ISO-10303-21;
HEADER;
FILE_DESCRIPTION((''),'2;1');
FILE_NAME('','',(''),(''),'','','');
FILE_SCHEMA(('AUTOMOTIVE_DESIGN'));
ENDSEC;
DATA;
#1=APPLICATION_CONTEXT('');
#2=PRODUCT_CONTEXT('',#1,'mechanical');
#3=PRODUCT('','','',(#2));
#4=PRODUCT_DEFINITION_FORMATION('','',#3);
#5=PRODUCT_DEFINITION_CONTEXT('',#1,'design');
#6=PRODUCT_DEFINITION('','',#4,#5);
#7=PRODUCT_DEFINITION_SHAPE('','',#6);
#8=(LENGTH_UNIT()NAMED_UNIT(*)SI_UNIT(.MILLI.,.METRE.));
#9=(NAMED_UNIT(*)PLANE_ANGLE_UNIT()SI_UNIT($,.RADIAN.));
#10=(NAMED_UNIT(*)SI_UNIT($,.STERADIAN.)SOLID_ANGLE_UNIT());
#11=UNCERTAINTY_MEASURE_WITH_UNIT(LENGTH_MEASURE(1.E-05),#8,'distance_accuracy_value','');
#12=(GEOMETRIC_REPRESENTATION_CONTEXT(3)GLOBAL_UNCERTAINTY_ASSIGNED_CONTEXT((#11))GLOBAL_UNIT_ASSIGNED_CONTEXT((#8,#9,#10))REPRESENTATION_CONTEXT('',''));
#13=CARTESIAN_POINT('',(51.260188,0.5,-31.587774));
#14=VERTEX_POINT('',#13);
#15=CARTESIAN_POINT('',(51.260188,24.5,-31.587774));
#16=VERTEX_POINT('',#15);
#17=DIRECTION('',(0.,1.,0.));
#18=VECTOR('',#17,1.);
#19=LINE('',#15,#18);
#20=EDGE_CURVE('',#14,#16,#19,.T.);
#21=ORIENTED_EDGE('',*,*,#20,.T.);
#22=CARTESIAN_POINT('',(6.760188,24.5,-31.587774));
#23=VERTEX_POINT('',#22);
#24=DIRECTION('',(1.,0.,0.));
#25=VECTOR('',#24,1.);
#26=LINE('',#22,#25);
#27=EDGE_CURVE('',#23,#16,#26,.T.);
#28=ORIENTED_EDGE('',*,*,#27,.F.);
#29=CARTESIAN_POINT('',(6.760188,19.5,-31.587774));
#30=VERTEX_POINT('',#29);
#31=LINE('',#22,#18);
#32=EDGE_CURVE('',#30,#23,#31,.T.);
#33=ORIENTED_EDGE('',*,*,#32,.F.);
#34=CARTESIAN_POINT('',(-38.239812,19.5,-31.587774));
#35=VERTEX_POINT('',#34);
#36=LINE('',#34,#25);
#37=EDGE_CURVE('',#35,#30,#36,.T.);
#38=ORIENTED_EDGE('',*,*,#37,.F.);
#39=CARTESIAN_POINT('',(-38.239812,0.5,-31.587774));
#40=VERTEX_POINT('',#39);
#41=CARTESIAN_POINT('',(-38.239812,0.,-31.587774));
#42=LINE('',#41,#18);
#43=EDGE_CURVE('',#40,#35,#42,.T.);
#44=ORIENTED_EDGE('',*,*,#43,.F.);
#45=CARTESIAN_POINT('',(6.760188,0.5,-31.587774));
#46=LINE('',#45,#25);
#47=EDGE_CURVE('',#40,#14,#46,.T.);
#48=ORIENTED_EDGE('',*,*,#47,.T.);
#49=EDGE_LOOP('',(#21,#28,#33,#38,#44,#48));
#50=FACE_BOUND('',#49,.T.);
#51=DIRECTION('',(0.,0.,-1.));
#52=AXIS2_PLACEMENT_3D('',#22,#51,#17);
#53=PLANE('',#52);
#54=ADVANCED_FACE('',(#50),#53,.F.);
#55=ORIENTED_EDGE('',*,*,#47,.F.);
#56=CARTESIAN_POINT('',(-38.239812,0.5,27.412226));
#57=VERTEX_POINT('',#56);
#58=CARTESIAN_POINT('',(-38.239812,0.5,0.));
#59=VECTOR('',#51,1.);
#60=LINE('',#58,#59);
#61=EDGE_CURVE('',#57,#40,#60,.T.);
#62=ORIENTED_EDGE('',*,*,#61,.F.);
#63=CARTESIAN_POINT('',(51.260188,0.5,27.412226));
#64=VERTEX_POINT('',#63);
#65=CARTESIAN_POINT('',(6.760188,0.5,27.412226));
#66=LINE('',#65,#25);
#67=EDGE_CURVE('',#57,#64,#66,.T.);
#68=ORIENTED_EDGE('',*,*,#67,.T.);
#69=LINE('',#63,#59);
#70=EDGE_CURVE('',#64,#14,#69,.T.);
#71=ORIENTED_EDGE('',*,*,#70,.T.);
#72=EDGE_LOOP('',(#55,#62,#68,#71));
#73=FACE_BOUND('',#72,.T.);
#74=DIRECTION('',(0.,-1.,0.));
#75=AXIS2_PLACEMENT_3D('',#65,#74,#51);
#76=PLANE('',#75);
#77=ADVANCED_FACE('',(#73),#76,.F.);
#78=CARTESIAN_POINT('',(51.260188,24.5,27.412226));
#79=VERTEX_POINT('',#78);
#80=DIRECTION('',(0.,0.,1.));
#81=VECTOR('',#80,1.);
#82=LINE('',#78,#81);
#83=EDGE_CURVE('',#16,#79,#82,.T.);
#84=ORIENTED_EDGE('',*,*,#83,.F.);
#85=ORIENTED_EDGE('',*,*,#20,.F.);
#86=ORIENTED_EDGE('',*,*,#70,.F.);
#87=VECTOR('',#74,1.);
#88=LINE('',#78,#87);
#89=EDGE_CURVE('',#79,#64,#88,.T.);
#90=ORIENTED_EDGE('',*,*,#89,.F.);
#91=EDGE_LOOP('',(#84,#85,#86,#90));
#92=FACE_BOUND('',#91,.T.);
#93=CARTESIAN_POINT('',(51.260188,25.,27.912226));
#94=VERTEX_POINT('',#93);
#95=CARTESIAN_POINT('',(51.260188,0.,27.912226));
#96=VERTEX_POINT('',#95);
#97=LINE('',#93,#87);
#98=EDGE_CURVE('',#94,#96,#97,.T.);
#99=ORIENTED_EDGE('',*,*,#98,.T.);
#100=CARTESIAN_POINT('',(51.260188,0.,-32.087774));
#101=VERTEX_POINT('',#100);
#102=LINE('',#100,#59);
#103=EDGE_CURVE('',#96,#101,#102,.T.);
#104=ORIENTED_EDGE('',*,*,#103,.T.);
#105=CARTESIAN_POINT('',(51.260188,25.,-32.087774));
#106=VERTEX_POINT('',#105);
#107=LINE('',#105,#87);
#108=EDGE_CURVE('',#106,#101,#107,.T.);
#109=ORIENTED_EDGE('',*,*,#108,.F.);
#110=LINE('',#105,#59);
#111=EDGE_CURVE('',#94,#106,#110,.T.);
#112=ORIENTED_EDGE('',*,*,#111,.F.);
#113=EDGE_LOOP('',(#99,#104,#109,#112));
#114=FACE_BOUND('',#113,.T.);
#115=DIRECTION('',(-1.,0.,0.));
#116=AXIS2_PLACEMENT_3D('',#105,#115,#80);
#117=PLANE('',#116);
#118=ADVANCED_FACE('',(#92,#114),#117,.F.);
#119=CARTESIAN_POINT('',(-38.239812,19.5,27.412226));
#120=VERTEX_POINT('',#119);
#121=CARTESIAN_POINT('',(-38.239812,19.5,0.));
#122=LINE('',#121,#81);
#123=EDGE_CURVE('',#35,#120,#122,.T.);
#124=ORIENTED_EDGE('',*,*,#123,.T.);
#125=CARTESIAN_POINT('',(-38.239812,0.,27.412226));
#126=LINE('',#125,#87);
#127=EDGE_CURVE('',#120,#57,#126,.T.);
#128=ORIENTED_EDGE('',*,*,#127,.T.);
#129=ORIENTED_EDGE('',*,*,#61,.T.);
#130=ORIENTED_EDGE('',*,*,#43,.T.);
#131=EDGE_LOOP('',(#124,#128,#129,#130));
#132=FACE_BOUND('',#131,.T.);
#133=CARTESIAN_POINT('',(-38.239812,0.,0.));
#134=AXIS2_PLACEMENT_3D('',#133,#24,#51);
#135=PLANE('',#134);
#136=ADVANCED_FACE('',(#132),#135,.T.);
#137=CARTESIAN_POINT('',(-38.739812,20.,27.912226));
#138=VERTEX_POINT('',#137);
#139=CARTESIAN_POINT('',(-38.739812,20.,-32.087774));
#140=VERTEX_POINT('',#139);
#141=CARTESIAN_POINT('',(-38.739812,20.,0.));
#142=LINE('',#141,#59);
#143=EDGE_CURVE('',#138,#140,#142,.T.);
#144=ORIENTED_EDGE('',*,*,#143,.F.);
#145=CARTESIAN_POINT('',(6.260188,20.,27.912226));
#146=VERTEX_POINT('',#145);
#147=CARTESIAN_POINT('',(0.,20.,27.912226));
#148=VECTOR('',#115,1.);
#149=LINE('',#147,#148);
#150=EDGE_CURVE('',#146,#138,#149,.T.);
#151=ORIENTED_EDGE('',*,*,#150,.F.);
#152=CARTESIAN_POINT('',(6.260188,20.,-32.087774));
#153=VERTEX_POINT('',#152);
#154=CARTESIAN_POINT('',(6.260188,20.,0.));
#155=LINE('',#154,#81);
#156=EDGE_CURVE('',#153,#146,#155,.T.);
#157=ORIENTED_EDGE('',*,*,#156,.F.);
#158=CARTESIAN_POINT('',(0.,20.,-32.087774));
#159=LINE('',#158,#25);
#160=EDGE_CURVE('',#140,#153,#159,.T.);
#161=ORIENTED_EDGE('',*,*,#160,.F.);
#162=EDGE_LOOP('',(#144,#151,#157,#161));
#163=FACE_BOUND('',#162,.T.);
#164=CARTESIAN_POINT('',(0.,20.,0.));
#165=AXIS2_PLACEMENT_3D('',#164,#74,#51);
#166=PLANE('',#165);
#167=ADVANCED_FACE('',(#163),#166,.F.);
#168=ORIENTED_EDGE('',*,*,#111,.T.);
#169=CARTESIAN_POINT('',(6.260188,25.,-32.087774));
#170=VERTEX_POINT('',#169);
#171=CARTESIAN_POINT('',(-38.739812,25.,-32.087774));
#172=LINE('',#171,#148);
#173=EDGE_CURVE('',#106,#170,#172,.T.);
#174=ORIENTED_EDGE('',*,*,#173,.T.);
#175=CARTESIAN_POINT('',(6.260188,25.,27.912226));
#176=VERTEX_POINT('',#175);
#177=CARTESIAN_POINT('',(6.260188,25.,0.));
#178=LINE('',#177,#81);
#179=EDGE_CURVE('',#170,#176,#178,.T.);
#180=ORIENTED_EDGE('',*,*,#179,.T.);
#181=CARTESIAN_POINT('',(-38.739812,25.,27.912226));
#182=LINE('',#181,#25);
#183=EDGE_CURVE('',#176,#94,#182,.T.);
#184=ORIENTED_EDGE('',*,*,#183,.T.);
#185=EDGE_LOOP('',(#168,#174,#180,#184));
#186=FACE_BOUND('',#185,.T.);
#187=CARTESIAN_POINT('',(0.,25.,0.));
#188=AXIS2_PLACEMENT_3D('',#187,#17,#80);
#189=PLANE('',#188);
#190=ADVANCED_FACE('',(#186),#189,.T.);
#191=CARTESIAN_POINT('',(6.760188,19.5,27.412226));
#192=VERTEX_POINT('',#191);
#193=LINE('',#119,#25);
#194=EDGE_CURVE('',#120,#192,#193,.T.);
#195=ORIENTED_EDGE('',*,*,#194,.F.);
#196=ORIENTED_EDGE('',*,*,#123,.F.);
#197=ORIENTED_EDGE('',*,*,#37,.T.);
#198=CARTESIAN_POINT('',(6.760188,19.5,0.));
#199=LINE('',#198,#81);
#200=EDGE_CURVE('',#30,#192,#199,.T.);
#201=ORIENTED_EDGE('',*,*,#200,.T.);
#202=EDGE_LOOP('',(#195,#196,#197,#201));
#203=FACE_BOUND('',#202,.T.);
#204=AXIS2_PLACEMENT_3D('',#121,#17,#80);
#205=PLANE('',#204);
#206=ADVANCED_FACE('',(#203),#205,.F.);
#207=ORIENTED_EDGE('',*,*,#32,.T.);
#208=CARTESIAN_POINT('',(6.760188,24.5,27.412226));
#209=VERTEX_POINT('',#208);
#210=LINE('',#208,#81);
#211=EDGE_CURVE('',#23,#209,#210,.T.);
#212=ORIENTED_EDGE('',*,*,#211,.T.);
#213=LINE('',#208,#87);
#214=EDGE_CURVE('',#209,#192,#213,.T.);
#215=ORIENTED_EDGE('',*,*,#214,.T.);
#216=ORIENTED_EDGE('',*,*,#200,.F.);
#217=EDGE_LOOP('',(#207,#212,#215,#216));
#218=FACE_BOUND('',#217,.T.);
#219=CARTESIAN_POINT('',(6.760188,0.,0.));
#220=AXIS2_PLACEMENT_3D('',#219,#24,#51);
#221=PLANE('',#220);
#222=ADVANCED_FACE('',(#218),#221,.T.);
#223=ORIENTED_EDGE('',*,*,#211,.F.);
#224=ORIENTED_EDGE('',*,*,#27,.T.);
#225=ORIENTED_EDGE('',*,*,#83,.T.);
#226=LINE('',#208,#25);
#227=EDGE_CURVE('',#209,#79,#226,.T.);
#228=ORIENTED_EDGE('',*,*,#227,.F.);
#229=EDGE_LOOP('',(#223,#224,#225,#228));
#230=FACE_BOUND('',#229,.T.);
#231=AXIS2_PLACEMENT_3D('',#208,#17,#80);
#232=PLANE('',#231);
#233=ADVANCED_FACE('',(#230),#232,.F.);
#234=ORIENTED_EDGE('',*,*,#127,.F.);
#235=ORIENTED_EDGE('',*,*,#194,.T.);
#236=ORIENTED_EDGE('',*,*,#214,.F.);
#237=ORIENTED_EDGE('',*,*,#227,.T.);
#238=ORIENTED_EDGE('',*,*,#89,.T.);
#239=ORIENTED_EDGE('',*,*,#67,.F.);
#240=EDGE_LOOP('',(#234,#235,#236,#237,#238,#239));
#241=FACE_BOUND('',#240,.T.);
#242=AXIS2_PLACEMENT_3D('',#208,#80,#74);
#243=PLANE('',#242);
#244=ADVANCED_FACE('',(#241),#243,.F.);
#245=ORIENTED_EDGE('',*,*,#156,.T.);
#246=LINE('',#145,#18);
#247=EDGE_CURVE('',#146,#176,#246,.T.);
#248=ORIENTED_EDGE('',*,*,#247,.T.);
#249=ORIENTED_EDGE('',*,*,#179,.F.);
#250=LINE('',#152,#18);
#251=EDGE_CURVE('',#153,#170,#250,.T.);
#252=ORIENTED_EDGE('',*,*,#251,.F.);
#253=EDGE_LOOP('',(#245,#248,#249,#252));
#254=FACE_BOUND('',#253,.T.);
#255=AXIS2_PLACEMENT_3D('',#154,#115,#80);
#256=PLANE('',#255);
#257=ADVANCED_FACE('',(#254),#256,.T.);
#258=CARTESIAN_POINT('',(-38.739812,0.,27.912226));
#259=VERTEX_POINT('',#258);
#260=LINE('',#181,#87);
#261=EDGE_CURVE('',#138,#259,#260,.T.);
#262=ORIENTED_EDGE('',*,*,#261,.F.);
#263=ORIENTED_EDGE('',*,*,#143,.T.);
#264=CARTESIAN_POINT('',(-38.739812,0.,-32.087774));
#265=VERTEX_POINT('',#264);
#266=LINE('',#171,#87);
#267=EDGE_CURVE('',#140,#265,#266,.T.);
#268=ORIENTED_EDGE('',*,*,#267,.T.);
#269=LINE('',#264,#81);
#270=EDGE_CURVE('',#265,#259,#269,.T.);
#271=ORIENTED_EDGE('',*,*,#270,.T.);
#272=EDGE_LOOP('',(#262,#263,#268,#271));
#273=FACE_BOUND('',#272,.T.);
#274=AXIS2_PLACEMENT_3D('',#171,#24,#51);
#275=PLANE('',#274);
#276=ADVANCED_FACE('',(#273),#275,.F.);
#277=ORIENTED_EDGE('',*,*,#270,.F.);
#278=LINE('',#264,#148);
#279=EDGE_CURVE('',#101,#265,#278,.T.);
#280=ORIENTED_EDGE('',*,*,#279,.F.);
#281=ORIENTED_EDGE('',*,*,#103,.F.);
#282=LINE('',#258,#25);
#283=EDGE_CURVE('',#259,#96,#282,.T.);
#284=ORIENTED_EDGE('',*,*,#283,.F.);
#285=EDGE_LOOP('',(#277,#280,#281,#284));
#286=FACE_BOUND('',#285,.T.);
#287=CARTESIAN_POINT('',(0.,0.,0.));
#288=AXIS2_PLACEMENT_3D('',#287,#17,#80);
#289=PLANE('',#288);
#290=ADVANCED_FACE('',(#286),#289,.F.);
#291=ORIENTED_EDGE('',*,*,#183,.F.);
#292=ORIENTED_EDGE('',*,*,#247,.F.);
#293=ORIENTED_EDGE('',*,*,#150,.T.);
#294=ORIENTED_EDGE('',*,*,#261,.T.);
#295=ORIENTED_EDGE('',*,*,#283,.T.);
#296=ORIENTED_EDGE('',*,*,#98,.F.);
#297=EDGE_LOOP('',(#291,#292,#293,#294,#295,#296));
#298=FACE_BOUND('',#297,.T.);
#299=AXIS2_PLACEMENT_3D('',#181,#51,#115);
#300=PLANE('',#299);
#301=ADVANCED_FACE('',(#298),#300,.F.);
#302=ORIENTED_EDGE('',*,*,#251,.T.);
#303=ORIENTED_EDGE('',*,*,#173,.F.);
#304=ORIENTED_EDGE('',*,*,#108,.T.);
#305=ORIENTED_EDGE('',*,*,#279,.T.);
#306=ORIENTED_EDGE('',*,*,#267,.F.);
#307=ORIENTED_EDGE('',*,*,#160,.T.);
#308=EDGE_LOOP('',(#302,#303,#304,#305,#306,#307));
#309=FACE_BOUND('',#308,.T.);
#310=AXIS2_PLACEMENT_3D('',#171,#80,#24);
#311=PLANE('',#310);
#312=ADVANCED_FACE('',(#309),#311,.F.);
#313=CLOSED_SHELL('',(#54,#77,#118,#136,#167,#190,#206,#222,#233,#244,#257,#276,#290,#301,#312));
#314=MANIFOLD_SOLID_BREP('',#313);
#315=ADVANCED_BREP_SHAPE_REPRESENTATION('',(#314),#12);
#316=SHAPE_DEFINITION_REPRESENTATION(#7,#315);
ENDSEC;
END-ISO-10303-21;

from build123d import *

# Parameters (mm, degrees)
SKETCH1_W           = 90
SKETCH1_H           = 60
BOSS_EXTRUDE2_DEPTH = 25
CUT_EXTRUDE1_START  = 25
SKETCH2_W           = 45
SKETCH2_H           = 60
CUT_EXTRUDE1_DEPTH  = 5
SKETCH4_W           = 59
SKETCH4_H           = 24
CUT_EXTRUDE3_DEPTH  = 44.5
CUT_EXTRUDE4_START  = -45.5
SKETCH5_W           = 59
SKETCH5_H           = 19
CUT_EXTRUDE4_DEPTH  = 45


with BuildPart() as part:
    # Sketch1 → Boss-Extrude2 (new body)
    with BuildSketch(Plane(origin=(0, 0, 0), x_dir=(1, 0, 0), z_dir=(0, 1, 0))):
        with Locations((6.260188088, 2.087774295)):
            Rectangle(SKETCH1_W, SKETCH1_H)
    extrude(amount=BOSS_EXTRUDE2_DEPTH)

    # Sketch2 → Cut-Extrude1 (cut)
    with BuildSketch(Plane(origin=(0, 0, 0), x_dir=(1, 0, 0), z_dir=(0, 1, 0)).offset(CUT_EXTRUDE1_START)):
        with Locations((-16.239811912, 2.087774295)):
            Rectangle(SKETCH2_W, SKETCH2_H)
    extrude(amount=-CUT_EXTRUDE1_DEPTH, mode=Mode.SUBTRACT)

    # Sketch4 → Cut-Extrude3 (cut)
    with BuildSketch(Plane(origin=(51.260188088, 0, 0), x_dir=(0, 0, -1), z_dir=(1, 0, 0))):
        with Locations((2.087774295, 12.5)):
            Rectangle(SKETCH4_W, SKETCH4_H)
    extrude(amount=-CUT_EXTRUDE3_DEPTH, mode=Mode.SUBTRACT)

    # Sketch5 → Cut-Extrude4 (cut)
    with BuildSketch(Plane.ZY.offset(38.739811912).offset(CUT_EXTRUDE4_START)):
        with Locations((-2.087774295, 10)):
            Rectangle(SKETCH5_W, SKETCH5_H)
    extrude(amount=CUT_EXTRUDE4_DEPTH, mode=Mode.SUBTRACT)


solid = part.part
